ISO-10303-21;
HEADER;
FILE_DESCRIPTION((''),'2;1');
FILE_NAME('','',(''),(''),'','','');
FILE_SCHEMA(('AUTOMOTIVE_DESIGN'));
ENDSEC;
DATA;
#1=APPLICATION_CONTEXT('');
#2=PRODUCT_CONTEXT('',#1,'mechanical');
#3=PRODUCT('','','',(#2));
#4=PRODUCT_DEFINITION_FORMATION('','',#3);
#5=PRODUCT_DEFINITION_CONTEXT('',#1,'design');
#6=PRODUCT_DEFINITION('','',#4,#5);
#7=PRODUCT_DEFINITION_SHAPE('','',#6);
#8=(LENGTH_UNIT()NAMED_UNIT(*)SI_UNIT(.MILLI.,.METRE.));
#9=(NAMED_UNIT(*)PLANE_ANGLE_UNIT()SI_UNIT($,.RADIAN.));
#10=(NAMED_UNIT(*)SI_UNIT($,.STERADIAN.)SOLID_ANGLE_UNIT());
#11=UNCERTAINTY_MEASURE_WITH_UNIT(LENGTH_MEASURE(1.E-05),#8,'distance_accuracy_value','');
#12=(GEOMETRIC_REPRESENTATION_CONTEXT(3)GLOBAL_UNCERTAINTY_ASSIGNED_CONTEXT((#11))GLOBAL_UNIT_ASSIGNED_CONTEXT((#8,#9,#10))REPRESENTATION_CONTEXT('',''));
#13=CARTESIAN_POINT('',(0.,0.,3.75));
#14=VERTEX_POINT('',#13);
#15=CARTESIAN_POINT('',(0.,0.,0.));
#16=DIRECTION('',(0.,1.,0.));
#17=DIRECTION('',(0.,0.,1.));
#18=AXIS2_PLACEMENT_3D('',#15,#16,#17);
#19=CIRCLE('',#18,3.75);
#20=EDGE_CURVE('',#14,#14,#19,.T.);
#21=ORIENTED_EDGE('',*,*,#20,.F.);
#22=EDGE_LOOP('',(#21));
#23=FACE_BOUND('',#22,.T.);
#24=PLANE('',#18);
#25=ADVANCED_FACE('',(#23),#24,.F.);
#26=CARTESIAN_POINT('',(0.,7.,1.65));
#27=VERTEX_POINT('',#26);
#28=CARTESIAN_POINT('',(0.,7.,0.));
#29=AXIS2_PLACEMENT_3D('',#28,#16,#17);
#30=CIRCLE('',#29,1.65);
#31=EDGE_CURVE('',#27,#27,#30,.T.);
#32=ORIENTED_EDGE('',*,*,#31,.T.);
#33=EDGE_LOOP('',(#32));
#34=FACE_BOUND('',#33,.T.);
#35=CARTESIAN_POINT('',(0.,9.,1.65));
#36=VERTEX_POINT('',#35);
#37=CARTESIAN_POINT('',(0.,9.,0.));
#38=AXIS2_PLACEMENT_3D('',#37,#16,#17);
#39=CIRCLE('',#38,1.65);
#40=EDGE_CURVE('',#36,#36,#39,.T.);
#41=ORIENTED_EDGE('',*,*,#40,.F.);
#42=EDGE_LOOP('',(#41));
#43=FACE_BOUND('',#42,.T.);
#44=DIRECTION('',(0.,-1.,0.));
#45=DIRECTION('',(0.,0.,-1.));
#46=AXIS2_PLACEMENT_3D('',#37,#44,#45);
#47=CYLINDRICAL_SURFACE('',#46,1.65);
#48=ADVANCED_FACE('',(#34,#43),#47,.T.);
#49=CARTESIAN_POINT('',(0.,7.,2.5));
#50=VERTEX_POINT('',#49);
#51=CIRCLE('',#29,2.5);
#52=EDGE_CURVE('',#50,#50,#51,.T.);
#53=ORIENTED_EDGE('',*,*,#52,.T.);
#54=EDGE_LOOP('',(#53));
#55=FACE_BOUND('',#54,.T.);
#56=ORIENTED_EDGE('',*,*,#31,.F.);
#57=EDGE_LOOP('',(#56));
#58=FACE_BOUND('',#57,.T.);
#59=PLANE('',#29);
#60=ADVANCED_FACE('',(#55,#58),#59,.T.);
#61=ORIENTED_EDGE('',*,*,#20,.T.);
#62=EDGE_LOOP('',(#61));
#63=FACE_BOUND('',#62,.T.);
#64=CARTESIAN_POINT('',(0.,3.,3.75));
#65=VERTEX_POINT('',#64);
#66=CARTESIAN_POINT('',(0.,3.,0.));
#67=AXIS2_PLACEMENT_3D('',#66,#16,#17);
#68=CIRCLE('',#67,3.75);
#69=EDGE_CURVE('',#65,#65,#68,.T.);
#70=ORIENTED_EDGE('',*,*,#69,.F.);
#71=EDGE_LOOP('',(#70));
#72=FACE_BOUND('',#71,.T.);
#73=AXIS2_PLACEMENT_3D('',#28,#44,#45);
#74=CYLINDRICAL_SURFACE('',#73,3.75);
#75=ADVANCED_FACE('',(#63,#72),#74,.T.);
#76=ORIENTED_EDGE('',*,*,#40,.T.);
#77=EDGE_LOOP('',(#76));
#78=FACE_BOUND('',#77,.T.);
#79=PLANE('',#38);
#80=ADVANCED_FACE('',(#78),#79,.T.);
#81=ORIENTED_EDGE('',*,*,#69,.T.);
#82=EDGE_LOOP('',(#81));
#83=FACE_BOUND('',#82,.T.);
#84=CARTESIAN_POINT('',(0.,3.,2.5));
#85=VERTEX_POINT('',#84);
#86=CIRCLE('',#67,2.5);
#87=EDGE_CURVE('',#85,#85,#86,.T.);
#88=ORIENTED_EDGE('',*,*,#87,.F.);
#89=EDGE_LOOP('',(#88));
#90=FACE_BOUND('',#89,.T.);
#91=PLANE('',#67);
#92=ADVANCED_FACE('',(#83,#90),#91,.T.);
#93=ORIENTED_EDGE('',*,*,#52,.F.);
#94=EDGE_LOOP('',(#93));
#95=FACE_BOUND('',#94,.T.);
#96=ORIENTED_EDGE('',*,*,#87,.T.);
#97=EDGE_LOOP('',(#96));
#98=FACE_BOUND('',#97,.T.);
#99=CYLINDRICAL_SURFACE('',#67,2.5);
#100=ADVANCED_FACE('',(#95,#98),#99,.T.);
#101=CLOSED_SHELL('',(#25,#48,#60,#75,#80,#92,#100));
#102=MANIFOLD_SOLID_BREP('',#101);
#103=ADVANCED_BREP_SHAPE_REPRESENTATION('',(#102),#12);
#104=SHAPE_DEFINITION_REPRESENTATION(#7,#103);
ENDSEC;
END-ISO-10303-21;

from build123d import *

# Parameters (mm, degrees)
SKETCH1_R           = 3.75
BOSS_EXTRUDE1_DEPTH = 7
SKETCH2_R           = 3.75
SKETCH2_R_2         = 2.5
CUT_EXTRUDE1_DEPTH  = 4
SKETCH3_R           = 1.65
BOSS_EXTRUDE2_DEPTH = 2


with BuildPart() as part:
    # Sketch1 → Boss-Extrude1 (new body)
    with BuildSketch(Plane(origin=(0, 0, 0), x_dir=(1, 0, 0), z_dir=(0, 1, 0))):
        Circle(SKETCH1_R)
    extrude(amount=BOSS_EXTRUDE1_DEPTH)

    # Sketch2 → Cut-Extrude1 (cut)
    with BuildSketch(Plane(origin=(0, 7, 0), x_dir=(1, 0, 0), z_dir=(0, 1, 0))):
        Circle(SKETCH2_R)
        Circle(SKETCH2_R_2, mode=Mode.SUBTRACT)
    extrude(amount=-CUT_EXTRUDE1_DEPTH, mode=Mode.SUBTRACT)

    # Sketch3 → Boss-Extrude2 (add)
    with BuildSketch(Plane(origin=(0, 7, 0), x_dir=(1, 0, 0), z_dir=(0, 1, 0))):
        Circle(SKETCH3_R)
    extrude(amount=BOSS_EXTRUDE2_DEPTH)


solid = part.part
